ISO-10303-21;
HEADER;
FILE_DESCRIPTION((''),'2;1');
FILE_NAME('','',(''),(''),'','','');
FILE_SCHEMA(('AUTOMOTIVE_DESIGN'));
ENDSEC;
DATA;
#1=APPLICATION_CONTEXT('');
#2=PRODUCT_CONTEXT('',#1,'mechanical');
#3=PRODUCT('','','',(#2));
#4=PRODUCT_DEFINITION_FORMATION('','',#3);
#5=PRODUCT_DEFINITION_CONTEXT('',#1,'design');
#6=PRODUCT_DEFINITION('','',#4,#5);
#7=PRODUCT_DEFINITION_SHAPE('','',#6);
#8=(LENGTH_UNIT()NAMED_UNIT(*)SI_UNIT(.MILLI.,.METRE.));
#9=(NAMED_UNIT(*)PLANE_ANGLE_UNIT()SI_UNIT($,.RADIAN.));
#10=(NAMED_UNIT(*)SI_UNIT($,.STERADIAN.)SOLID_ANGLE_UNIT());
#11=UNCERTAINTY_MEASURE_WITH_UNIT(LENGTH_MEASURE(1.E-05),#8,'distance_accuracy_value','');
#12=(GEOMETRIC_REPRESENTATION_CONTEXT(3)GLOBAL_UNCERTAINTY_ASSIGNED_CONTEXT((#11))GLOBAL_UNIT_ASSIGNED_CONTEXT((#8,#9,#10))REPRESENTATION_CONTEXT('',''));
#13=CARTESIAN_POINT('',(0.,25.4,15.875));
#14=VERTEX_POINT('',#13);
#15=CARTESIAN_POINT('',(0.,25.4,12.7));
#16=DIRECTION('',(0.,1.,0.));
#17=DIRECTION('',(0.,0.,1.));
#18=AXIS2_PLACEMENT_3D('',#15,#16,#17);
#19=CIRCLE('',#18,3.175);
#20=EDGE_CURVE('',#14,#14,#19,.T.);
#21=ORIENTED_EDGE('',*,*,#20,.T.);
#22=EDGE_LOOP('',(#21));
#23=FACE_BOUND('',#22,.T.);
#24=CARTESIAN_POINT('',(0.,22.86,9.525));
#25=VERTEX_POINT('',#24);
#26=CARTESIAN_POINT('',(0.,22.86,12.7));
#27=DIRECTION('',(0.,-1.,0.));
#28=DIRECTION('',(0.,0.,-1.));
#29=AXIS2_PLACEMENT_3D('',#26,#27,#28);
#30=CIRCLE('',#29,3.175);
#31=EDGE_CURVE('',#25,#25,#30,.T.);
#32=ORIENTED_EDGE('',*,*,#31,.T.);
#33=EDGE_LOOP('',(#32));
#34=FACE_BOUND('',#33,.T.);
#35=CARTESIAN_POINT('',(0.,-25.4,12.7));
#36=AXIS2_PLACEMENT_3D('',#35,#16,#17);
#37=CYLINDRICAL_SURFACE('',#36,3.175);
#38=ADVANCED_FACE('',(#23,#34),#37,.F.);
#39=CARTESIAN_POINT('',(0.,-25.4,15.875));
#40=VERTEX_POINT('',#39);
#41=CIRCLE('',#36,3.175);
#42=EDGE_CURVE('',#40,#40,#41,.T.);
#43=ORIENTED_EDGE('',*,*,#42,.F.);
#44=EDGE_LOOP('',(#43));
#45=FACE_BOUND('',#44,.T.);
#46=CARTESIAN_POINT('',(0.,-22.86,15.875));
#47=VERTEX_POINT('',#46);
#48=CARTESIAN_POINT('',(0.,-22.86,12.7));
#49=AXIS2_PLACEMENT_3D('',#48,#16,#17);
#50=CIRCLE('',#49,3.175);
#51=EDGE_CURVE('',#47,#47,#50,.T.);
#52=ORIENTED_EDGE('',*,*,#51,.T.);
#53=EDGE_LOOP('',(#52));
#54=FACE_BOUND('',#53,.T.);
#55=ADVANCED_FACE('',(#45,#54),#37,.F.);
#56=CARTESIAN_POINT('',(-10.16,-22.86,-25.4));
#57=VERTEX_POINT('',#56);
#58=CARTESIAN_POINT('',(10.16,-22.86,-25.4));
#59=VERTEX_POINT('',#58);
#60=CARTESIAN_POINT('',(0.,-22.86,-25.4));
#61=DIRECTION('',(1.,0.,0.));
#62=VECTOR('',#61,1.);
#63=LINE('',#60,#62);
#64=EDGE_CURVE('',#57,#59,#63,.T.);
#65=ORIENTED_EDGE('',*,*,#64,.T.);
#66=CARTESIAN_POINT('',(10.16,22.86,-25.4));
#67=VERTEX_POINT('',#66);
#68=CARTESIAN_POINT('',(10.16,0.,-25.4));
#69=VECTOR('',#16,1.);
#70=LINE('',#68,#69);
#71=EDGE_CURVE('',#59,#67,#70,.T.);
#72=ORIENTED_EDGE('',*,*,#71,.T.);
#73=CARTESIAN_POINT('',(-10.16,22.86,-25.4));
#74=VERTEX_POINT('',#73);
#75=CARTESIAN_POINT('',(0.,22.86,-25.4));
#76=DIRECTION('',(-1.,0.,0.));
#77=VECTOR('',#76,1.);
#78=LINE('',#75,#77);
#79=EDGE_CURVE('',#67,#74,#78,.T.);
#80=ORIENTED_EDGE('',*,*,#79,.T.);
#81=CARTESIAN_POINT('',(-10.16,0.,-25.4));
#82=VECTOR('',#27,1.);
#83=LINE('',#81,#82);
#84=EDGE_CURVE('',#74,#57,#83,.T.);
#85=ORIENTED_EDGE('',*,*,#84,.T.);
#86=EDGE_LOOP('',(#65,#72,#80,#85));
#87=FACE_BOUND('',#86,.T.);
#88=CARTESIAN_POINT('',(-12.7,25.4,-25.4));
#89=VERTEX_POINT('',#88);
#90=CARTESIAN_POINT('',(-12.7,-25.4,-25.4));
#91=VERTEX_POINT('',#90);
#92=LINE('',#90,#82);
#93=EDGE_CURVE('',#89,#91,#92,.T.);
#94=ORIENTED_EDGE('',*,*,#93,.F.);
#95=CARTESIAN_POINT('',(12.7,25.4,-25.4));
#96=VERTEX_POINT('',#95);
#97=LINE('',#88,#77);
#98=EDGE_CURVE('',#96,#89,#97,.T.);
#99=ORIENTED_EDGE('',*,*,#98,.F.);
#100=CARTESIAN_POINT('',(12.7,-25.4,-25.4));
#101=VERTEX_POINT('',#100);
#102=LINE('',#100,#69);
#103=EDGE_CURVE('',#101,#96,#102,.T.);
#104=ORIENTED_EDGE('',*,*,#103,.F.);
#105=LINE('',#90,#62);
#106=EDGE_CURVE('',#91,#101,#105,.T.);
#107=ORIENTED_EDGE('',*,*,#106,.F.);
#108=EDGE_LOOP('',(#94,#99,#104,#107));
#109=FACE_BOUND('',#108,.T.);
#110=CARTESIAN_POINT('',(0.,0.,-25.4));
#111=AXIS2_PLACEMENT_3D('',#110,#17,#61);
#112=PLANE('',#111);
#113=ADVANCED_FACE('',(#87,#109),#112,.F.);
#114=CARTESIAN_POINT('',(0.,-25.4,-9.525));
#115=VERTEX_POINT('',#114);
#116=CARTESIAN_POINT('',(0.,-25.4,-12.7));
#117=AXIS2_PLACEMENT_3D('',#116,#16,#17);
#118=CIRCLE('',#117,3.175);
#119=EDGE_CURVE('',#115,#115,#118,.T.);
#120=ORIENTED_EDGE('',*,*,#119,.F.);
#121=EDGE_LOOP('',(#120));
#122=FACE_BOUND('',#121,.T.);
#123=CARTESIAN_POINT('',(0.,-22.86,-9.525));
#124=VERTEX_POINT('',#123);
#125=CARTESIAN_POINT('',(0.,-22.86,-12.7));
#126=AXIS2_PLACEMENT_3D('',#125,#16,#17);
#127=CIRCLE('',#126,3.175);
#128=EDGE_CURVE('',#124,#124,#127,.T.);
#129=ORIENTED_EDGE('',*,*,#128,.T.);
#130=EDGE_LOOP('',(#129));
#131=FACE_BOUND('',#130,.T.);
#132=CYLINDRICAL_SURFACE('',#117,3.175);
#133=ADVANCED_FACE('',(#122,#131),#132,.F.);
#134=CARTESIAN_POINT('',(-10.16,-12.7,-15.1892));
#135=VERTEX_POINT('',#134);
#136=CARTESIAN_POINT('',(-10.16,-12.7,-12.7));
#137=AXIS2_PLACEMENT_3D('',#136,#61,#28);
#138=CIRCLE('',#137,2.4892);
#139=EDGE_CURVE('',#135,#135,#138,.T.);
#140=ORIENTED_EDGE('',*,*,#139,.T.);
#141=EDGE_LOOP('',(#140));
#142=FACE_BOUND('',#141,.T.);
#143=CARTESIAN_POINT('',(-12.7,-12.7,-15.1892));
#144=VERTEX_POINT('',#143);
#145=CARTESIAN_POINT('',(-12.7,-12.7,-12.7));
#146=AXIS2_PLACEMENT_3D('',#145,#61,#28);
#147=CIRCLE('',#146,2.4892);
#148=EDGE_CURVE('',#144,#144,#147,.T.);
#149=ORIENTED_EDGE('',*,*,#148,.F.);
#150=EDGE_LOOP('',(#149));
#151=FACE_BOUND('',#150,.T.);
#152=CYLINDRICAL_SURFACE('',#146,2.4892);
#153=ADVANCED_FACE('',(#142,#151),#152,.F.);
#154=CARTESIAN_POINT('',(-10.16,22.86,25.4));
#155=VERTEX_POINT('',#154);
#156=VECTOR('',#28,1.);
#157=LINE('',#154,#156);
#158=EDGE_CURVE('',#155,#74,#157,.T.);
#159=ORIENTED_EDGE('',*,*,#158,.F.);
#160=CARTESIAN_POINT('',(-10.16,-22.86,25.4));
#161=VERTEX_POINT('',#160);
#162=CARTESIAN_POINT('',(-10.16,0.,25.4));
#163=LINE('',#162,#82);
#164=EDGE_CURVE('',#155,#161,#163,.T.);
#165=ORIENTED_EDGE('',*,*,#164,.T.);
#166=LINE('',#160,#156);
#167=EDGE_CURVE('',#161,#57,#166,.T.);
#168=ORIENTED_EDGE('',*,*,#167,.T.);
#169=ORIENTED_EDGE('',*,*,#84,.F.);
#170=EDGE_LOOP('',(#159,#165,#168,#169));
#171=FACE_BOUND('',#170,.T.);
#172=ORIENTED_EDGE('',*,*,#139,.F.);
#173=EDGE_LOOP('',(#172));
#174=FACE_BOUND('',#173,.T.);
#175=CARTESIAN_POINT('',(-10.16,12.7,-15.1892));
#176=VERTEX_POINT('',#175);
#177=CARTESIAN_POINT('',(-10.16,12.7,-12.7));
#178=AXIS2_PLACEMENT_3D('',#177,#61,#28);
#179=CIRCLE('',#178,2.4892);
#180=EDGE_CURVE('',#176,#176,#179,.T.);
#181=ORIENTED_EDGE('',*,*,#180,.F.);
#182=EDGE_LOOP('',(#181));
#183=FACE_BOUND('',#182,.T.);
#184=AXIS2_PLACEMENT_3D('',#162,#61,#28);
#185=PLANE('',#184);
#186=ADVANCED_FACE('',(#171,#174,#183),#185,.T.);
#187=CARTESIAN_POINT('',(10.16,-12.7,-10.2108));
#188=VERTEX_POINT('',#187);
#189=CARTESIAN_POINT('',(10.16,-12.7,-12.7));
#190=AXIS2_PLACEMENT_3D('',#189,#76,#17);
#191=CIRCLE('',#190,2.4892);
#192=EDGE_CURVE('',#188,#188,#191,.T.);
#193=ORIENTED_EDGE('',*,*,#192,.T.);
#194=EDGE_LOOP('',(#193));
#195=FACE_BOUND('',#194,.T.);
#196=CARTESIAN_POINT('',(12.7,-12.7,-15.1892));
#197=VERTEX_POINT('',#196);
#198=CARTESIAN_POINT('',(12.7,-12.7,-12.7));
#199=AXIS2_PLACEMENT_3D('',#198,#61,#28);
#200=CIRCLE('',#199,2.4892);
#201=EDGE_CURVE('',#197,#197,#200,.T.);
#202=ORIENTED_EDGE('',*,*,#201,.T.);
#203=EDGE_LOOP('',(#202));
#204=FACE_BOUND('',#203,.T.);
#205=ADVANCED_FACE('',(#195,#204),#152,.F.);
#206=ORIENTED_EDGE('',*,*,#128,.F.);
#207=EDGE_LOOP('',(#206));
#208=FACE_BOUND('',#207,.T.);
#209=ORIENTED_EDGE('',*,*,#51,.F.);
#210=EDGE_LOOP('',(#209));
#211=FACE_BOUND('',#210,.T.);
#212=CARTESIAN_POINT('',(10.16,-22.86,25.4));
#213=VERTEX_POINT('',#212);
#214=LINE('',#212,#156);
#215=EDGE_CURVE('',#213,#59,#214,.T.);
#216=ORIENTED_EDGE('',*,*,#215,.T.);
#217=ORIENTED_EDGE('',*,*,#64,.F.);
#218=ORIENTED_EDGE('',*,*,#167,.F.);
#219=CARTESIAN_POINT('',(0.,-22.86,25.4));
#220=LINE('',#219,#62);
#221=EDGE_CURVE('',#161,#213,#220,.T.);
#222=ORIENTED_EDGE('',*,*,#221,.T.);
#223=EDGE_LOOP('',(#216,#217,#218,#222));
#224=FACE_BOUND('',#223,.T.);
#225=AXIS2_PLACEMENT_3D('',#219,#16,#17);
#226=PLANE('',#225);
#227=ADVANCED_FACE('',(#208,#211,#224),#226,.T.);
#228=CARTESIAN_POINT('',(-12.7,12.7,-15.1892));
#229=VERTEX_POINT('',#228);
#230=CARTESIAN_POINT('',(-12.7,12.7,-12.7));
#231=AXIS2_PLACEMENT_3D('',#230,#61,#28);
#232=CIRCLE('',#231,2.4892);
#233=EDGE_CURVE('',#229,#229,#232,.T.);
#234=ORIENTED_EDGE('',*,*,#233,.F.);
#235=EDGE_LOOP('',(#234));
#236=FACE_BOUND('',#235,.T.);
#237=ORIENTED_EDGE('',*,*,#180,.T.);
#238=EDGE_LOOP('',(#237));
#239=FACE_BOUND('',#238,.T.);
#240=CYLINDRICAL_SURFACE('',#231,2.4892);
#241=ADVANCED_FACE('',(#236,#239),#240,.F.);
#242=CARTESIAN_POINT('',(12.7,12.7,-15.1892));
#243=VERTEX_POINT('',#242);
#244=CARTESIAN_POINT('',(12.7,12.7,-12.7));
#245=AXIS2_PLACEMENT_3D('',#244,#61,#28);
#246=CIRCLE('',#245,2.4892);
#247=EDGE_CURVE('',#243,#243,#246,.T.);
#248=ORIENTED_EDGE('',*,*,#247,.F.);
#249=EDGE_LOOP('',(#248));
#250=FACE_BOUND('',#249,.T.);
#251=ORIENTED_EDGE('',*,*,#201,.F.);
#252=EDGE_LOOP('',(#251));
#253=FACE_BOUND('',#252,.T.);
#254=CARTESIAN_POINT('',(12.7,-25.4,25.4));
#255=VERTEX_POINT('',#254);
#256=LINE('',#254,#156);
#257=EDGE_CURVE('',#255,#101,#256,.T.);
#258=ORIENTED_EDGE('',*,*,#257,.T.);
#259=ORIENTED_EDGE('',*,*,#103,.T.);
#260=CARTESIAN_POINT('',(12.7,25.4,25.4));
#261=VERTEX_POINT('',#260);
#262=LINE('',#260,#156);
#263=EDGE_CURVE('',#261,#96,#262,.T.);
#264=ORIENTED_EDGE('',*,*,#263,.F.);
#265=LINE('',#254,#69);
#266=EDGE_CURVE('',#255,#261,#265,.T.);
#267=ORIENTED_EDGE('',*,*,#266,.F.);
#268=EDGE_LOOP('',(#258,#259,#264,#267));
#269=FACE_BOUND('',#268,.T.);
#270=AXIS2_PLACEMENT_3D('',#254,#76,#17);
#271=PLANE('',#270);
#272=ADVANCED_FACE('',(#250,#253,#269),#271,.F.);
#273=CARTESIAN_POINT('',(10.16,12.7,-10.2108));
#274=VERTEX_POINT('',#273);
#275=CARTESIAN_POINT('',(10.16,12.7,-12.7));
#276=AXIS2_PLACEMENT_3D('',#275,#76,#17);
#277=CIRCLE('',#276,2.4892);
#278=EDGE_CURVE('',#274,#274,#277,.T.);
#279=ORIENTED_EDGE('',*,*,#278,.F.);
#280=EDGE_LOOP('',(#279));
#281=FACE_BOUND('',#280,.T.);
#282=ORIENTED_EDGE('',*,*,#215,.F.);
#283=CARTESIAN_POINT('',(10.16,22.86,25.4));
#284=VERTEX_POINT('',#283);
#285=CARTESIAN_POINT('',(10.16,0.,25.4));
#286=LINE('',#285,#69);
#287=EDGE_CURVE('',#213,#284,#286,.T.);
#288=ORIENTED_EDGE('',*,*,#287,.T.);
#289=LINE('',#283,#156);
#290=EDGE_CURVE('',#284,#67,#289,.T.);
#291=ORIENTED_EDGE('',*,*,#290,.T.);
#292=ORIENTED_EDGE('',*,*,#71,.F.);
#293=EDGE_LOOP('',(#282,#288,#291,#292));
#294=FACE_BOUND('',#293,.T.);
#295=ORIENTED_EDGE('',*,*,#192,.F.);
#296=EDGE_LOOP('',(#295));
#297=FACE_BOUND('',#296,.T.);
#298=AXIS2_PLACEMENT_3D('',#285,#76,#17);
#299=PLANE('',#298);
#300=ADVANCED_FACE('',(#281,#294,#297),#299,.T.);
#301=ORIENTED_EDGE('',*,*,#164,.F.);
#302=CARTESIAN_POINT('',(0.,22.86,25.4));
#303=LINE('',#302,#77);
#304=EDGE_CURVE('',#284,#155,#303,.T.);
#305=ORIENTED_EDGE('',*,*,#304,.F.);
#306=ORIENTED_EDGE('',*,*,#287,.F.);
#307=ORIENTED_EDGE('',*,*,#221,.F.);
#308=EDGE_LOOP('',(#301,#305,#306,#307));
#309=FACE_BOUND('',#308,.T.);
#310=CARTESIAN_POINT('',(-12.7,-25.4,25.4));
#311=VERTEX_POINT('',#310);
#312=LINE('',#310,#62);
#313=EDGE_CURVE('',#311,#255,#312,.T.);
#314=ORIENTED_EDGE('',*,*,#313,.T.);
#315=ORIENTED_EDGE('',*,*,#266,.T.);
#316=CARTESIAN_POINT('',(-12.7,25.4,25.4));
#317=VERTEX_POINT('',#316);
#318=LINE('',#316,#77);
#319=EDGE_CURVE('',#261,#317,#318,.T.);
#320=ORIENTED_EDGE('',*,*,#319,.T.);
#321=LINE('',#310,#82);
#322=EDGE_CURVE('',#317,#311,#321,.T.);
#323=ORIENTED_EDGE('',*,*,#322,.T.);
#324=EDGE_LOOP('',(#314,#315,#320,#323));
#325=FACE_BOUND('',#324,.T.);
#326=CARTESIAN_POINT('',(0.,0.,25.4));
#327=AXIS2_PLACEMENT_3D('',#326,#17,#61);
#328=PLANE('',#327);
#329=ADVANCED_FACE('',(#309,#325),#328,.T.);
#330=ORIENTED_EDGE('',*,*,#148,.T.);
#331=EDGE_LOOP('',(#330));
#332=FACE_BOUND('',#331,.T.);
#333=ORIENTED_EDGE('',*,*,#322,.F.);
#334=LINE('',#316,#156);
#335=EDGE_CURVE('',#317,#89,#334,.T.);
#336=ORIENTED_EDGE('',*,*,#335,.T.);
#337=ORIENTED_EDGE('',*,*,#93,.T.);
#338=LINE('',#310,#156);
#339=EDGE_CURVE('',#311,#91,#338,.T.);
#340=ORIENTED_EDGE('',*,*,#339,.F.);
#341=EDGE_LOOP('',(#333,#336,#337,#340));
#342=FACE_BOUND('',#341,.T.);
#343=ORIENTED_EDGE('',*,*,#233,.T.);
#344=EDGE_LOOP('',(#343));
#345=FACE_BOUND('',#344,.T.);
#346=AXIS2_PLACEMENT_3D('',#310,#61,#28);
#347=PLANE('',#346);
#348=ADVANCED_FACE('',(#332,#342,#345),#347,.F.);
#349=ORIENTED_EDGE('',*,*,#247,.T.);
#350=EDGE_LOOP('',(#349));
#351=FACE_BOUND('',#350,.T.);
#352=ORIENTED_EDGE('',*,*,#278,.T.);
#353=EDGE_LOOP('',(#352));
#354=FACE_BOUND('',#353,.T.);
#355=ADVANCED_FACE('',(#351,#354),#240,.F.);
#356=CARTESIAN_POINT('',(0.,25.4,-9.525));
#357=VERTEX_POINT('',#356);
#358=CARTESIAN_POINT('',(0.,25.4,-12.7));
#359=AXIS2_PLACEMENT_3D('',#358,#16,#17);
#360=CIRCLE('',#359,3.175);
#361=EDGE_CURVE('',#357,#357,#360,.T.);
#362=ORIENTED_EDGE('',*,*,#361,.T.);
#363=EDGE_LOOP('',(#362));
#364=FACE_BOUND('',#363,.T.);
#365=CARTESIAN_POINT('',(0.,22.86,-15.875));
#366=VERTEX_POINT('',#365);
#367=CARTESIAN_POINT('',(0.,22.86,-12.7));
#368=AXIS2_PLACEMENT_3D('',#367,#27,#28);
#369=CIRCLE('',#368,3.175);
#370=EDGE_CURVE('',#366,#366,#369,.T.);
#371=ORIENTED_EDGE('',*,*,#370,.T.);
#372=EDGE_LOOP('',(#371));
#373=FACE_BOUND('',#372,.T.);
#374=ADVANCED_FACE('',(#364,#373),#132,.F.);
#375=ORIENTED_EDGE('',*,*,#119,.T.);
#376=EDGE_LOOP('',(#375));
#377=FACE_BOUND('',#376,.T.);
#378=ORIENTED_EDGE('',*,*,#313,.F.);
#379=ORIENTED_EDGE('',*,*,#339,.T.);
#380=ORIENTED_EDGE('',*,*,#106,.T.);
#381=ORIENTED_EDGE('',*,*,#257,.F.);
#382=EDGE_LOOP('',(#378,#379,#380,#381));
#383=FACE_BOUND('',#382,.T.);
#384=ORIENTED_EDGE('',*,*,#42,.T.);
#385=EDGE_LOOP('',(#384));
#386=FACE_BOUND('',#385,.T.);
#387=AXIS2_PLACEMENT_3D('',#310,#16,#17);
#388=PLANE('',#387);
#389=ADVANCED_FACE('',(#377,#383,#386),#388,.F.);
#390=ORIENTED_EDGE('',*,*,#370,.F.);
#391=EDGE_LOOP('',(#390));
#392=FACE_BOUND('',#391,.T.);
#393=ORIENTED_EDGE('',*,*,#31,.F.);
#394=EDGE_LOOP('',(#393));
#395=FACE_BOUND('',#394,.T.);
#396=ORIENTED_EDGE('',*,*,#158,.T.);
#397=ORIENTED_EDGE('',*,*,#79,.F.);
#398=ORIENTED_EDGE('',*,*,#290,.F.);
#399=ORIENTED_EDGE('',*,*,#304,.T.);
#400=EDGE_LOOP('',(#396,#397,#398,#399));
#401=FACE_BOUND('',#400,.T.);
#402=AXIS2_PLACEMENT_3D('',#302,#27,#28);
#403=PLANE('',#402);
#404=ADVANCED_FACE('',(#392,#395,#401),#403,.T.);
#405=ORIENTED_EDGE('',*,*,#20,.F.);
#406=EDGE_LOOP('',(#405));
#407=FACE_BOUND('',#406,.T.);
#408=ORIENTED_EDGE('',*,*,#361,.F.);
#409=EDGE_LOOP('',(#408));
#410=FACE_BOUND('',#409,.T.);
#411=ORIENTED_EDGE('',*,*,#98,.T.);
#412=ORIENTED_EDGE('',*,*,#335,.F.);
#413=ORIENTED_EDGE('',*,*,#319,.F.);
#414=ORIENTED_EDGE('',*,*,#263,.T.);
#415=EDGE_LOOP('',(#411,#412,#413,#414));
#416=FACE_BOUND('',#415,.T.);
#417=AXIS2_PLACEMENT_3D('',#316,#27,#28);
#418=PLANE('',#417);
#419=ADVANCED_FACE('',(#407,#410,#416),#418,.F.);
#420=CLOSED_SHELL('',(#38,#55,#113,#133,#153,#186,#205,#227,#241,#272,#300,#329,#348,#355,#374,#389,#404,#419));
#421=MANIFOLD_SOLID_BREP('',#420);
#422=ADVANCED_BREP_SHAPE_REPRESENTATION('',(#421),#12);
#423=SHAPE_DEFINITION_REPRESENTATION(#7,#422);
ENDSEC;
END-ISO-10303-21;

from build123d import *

# Parameters (mm, degrees)
SKETCH1_W           = 25.4
SKETCH1_H           = 50.8
SKETCH1_W_2         = 20.32
SKETCH1_H_2         = 45.72
EXTRUDE_THIN1_DEPTH = 25.4
SKETCH2_R           = 3.175
CUT_EXTRUDE1_DEPTH  = 51.8
SKETCH3_R           = 2.4892
CUT_EXTRUDE2_DEPTH  = 26.4


with BuildPart() as part:
    # Sketch1 → Extrude-Thin1 (new body, symmetric)
    with BuildSketch(Plane.XY):
        Rectangle(SKETCH1_W, SKETCH1_H)
        Rectangle(SKETCH1_W_2, SKETCH1_H_2, mode=Mode.SUBTRACT)
    extrude(amount=EXTRUDE_THIN1_DEPTH, both=True)

    # Sketch2 → Cut-Extrude1 (cut, through all)
    with BuildSketch(Plane(origin=(0, 25.4, 0), x_dir=(1, 0, 0), z_dir=(0, 1, 0))):
        with Locations((0, 12.7)):
            Circle(SKETCH2_R)
        with Locations((0, -12.7)):
            Circle(SKETCH2_R)
    extrude(amount=-CUT_EXTRUDE1_DEPTH, mode=Mode.SUBTRACT)

    # Sketch3 → Cut-Extrude2 (cut, through all)
    with BuildSketch(Plane(origin=(12.7, 0, 0), x_dir=(0, 0, -1), z_dir=(1, 0, 0))):
        with Locations((12.7, 12.7)):
            Circle(SKETCH3_R)
        with Locations((12.7, -12.7)):
            Circle(SKETCH3_R)
    extrude(amount=-CUT_EXTRUDE2_DEPTH, mode=Mode.SUBTRACT)


solid = part.part
